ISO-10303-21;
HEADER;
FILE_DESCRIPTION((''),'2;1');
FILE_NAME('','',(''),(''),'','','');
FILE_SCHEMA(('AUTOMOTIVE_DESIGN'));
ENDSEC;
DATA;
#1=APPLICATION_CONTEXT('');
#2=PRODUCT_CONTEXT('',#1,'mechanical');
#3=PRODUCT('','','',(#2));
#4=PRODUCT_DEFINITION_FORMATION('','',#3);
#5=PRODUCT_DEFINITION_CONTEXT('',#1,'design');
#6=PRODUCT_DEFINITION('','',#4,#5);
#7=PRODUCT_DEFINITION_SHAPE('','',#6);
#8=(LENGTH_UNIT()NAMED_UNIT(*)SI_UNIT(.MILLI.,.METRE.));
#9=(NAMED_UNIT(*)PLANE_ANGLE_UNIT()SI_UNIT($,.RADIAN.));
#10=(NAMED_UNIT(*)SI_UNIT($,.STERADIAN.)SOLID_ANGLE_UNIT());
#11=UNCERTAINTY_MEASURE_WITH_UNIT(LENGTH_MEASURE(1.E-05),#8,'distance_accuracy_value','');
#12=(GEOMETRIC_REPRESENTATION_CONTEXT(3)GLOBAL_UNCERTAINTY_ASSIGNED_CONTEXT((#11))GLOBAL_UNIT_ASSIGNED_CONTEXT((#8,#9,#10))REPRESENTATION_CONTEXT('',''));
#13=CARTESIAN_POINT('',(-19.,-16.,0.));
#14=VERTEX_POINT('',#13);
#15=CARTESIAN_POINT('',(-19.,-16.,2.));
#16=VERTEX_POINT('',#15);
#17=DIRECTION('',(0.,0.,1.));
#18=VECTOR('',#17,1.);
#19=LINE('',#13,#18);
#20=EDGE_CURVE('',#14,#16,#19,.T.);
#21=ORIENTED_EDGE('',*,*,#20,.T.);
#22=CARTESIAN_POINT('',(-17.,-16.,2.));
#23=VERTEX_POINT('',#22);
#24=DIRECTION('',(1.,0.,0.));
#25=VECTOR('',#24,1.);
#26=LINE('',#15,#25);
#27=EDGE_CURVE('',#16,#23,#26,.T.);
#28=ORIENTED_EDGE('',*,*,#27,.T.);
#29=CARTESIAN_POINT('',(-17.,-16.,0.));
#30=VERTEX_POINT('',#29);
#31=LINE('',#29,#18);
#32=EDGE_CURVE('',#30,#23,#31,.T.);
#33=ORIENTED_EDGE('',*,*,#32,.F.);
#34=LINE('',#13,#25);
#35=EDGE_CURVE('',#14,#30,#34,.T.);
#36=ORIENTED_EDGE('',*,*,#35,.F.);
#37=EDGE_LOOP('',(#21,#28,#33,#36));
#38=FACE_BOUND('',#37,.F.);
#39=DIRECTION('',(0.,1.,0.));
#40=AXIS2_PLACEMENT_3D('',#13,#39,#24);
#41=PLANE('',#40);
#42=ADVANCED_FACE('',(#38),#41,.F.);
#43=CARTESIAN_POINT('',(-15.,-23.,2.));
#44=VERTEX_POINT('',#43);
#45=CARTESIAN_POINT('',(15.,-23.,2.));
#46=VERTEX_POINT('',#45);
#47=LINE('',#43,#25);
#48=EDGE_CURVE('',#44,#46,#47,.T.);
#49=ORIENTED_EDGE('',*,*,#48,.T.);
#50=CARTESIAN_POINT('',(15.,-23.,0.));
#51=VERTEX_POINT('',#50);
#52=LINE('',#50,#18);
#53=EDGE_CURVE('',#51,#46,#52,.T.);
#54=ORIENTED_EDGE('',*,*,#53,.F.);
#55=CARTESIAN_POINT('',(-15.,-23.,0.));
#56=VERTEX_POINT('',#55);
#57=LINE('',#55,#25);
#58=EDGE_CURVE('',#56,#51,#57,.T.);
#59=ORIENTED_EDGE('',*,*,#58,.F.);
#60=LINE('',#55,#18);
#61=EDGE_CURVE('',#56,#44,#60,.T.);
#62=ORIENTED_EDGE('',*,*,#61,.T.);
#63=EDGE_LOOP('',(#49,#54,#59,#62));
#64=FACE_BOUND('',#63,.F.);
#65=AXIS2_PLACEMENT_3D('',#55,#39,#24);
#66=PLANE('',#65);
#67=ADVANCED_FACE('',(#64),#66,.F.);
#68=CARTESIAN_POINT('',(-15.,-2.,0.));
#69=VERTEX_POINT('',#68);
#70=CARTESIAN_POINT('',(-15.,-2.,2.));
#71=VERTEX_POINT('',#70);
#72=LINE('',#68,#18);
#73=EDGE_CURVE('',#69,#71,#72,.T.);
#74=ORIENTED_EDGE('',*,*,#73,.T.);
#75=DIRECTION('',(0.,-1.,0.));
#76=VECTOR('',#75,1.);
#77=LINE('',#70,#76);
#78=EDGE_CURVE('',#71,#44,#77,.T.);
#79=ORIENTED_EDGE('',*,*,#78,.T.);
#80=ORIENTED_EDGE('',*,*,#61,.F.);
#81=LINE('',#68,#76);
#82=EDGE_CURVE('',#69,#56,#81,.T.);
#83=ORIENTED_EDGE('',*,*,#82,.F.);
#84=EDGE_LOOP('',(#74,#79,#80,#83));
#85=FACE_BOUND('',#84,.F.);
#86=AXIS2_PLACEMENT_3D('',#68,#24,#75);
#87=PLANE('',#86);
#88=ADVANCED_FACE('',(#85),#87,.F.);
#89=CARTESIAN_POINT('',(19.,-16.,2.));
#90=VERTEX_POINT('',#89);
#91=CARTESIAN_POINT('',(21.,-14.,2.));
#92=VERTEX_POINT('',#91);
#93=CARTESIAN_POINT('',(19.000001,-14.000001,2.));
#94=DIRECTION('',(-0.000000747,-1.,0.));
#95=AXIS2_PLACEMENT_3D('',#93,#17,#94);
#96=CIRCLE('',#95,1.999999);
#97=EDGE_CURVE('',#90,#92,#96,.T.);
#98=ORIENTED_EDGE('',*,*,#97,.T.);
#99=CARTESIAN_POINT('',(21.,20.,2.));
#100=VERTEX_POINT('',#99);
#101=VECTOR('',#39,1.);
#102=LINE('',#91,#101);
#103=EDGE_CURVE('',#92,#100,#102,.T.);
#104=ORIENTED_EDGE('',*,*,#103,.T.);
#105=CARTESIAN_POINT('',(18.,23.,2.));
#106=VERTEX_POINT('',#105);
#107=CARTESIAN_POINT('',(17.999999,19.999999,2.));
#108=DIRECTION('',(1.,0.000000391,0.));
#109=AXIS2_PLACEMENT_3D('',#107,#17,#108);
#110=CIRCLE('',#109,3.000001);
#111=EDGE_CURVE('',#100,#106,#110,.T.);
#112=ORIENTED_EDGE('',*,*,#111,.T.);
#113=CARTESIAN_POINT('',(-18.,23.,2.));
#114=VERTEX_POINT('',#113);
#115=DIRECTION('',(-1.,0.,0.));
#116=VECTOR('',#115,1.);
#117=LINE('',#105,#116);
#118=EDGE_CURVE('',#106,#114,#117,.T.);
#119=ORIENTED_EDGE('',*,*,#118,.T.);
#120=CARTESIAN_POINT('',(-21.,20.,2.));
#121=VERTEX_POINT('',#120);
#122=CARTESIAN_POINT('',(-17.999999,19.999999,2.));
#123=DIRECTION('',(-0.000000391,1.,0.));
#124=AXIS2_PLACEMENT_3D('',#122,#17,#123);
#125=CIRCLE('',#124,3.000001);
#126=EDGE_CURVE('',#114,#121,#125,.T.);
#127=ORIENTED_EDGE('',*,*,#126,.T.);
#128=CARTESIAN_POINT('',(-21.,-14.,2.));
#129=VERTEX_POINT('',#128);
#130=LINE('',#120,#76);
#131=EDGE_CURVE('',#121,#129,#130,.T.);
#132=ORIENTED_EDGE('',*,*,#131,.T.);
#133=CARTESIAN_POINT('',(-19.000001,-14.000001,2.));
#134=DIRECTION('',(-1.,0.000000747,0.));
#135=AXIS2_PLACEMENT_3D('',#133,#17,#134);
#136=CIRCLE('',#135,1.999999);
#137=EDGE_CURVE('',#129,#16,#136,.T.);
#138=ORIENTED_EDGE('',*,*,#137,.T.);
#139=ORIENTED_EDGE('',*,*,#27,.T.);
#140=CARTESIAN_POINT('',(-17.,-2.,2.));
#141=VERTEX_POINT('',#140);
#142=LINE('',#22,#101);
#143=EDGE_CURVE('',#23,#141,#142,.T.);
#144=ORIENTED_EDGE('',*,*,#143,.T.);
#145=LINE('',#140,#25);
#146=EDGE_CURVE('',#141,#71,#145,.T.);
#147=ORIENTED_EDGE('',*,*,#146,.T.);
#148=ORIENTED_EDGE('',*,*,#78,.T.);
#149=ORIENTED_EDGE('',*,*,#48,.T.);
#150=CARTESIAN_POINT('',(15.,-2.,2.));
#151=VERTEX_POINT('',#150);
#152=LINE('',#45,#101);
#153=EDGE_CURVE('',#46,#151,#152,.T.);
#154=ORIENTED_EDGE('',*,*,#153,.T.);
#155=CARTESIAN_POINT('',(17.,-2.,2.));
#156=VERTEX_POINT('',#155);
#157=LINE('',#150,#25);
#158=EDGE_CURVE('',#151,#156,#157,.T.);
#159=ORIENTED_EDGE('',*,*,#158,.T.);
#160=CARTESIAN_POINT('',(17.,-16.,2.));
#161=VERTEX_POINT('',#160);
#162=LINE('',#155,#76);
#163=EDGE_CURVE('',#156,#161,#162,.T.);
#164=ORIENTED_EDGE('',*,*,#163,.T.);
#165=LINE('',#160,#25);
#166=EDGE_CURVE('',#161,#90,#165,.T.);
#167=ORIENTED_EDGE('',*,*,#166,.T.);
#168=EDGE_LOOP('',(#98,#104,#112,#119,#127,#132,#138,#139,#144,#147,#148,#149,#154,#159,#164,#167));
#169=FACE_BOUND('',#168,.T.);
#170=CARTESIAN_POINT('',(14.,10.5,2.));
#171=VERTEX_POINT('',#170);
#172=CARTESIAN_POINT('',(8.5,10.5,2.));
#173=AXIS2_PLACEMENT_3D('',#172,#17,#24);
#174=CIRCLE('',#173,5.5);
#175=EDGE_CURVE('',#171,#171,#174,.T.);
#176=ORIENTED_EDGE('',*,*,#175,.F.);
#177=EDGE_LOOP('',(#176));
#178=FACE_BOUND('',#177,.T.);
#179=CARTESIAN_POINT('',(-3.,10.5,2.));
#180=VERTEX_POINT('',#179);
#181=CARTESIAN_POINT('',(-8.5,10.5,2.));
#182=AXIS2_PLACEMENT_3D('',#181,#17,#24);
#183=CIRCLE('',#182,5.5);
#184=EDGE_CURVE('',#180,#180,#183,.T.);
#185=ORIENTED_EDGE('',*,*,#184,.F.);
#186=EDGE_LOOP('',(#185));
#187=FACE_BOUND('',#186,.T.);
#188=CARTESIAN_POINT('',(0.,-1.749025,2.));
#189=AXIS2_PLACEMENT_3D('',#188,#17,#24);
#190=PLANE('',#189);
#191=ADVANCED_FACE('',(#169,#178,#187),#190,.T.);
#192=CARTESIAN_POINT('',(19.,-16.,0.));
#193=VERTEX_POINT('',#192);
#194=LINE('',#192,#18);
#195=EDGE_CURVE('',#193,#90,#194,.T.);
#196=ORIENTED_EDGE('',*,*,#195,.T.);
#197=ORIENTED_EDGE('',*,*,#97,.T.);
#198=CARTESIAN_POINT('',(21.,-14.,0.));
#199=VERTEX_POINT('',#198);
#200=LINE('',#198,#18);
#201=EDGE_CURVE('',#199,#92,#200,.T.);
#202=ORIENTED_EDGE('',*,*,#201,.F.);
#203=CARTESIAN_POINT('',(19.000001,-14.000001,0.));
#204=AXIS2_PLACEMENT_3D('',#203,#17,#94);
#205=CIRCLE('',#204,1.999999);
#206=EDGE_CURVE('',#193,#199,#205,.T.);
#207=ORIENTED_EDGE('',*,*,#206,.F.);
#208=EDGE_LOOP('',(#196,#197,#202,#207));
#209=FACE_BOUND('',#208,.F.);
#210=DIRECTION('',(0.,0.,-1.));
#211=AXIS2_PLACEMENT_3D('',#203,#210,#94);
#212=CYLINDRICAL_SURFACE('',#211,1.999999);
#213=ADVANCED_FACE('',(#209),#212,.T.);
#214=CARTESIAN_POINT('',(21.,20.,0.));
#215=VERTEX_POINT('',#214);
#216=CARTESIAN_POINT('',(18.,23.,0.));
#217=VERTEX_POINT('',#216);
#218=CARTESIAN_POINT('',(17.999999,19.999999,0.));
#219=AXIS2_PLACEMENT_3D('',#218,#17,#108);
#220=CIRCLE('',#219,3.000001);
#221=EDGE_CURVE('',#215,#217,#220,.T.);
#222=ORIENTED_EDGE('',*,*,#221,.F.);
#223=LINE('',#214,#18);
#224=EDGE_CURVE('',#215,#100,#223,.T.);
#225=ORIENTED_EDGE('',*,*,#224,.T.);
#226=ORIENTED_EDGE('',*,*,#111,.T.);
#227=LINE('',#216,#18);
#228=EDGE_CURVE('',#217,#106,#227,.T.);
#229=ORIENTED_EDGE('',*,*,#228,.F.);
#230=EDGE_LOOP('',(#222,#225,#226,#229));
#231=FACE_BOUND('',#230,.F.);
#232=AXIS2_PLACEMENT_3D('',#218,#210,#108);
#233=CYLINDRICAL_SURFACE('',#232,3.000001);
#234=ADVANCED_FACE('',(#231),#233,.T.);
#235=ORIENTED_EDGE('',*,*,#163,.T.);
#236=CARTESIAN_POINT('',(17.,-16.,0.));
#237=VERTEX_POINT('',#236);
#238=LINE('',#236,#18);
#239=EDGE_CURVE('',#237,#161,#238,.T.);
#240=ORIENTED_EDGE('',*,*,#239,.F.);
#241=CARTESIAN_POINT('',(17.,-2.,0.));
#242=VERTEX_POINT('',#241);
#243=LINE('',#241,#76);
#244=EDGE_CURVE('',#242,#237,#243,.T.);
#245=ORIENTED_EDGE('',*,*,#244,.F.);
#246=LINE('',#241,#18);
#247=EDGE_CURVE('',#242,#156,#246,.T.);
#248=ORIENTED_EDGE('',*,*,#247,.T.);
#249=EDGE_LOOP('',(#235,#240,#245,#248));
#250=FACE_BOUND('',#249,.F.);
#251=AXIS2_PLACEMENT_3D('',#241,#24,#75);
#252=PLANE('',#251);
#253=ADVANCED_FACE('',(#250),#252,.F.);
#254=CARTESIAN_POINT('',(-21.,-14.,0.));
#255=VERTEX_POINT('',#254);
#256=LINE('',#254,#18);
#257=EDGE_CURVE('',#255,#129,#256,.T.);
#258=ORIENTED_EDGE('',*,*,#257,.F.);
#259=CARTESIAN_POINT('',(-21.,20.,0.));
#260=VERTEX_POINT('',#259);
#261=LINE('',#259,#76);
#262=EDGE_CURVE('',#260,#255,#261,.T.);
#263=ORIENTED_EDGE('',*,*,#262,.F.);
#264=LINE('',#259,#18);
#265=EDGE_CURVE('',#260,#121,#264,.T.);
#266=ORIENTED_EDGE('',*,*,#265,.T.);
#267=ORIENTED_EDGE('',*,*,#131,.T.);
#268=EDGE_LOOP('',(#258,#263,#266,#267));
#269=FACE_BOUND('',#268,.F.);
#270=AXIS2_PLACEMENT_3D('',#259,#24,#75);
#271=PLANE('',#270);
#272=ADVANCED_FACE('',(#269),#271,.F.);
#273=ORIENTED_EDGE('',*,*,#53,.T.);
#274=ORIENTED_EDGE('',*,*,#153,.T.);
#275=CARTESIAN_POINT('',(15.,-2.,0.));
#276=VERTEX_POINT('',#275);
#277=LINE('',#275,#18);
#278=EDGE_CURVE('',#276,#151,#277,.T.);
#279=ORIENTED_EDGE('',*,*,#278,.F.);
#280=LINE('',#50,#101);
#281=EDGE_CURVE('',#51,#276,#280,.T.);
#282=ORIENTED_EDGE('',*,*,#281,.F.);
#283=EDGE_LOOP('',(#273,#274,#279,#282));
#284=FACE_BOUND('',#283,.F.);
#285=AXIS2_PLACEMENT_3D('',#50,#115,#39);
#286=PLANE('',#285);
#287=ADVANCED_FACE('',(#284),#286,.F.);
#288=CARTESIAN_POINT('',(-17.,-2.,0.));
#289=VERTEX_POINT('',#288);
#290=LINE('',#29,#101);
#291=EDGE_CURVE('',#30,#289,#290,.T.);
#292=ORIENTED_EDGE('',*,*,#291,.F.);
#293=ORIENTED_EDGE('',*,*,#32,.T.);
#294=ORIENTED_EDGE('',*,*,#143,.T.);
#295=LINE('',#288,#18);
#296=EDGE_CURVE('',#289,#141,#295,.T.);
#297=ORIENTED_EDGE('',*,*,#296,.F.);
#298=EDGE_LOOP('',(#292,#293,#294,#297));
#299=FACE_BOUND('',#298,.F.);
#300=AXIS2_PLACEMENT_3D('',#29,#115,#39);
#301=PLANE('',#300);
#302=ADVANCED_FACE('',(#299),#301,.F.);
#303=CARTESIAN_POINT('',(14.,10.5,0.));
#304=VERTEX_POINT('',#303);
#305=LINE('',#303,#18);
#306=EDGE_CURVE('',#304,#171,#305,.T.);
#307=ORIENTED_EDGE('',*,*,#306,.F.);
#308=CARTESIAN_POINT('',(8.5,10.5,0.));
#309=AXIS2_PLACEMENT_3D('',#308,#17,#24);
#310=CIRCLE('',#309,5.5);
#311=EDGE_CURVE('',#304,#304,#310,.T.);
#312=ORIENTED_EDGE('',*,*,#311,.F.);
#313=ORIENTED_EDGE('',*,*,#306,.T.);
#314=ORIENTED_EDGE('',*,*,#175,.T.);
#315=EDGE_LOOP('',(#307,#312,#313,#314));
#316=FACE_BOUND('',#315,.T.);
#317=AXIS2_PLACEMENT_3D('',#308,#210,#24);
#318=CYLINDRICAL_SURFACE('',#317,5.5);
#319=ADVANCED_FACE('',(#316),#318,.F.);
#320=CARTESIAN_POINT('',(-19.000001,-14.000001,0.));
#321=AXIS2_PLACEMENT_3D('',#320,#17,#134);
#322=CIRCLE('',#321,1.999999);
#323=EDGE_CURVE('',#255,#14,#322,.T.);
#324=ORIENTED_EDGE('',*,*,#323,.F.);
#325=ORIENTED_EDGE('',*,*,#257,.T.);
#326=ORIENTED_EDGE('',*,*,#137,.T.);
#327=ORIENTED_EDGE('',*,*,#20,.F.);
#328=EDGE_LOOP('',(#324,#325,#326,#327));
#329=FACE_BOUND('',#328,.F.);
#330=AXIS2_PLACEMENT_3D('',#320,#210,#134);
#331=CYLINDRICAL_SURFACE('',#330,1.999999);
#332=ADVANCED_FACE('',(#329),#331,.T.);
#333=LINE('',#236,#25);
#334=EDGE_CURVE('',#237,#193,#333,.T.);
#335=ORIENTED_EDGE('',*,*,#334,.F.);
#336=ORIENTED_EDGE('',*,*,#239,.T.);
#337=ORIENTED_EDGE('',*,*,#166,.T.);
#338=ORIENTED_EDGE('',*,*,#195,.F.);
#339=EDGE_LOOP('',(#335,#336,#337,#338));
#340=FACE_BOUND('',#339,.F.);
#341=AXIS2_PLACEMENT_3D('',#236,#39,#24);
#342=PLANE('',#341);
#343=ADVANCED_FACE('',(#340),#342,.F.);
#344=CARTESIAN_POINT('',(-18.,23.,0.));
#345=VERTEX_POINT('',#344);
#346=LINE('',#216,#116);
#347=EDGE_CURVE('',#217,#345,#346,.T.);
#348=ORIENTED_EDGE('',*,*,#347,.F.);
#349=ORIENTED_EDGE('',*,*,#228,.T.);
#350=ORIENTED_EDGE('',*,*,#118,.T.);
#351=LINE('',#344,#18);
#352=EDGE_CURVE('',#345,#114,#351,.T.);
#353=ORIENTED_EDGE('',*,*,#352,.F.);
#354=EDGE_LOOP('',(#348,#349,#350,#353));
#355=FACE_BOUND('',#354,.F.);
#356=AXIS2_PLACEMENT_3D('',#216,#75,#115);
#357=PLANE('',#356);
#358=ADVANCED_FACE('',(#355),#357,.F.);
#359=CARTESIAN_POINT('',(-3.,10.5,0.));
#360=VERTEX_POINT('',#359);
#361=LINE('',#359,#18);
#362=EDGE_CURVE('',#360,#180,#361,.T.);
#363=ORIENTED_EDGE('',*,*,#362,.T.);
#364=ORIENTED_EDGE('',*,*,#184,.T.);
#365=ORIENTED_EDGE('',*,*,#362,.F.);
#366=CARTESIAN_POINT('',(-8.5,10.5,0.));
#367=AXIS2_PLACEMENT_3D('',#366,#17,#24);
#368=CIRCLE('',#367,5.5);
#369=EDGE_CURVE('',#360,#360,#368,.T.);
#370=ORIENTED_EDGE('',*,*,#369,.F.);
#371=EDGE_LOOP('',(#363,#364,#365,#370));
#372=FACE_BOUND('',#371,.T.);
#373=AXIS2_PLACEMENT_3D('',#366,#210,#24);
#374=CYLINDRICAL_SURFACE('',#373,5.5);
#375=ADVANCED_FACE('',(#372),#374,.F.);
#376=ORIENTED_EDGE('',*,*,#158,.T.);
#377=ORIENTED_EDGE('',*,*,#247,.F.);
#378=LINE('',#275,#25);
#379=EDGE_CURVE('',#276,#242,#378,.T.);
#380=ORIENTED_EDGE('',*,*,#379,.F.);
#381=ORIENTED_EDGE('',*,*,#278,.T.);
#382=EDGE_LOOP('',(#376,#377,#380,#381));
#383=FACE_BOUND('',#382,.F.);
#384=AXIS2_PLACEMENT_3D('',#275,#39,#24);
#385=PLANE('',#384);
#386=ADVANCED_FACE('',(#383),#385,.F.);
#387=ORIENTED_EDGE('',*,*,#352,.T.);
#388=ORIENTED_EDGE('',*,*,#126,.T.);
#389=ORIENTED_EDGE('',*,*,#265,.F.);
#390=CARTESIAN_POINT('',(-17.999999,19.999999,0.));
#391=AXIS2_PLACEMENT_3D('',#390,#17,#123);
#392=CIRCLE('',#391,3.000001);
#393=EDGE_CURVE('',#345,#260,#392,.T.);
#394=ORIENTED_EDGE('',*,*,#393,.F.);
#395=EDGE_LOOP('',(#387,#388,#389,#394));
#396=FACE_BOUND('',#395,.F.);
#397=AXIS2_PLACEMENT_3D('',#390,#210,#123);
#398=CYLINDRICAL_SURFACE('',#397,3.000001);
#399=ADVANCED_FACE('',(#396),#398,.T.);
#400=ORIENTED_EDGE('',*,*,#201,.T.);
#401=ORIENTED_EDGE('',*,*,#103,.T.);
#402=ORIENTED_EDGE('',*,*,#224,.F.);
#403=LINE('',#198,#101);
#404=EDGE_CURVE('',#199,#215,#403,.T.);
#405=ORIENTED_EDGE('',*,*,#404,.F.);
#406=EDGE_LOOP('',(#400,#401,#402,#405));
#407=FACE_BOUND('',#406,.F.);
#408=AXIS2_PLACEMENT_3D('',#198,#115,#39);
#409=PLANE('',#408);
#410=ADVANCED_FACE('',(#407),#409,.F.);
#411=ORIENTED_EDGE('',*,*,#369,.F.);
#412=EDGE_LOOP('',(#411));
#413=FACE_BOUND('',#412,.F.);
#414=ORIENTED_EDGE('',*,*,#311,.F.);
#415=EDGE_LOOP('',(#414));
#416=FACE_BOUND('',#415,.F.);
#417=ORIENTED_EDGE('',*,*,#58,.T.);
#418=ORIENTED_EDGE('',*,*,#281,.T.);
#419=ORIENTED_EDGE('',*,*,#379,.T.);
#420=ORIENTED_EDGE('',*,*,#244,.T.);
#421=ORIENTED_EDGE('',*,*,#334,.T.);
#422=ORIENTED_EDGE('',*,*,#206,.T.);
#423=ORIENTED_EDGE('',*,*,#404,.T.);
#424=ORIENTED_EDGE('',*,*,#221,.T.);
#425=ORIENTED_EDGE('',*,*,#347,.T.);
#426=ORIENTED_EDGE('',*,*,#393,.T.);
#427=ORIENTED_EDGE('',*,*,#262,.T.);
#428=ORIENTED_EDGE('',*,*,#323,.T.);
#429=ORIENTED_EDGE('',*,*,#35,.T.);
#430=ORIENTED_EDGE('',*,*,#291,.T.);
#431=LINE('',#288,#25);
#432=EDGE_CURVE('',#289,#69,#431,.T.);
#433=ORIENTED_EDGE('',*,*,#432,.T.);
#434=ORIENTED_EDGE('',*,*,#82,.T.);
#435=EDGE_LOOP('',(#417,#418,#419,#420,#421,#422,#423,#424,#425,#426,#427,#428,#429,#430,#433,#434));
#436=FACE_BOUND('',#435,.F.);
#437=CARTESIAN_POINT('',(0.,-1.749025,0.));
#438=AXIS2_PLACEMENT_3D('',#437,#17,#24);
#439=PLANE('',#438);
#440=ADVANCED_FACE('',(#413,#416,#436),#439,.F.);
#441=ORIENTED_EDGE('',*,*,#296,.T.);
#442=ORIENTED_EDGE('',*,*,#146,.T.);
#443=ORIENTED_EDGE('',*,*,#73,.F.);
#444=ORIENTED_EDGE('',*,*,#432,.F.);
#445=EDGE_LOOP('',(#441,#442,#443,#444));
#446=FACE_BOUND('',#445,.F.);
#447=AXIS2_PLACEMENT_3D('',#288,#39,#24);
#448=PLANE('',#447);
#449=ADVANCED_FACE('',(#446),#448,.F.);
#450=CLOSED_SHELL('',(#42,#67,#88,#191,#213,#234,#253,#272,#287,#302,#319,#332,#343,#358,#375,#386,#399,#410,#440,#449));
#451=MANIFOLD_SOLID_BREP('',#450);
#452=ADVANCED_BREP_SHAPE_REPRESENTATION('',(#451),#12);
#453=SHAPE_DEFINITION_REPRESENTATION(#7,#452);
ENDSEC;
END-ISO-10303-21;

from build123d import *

# Parameters (mm, degrees)
F0_R     = 5.5
F1_DEPTH = 2


with BuildPart() as f1:
    # F0 (on Top) → F1 (new body)
    with BuildSketch(Plane.XY):
        with BuildLine():
            Line((15, 23), (-15, 23))
            Line((-15, 23), (-18, 23))
            ThreePointArc((-18, 23), (-20.12132, 22.12132), (-21, 20))
            Line((-21, 20), (-21, -14))
            ThreePointArc((-21, -14), (-20.414214, -15.414214), (-19, -16))
            Line((-19, -16), (-17, -16))
            Line((-17, -16), (-17, -2))
            Line((-17, -2), (-15, -2))
            Line((-15, -2), (-15, -23))
            Line((-15, -23), (15, -23))
            Line((15, -23), (15, -2))
            Line((15, -2), (17, -2))
            Line((17, -2), (17, -16))
            Line((17, -16), (19, -16))
            ThreePointArc((19, -16), (20.414214, -15.414214), (21, -14))
            Line((21, -14), (21, 20))
            ThreePointArc((21, 20), (20.12132, 22.12132), (18, 23))
            Line((18, 23), (15, 23))
        make_face()
        with Locations((-8.5, 10.5)):
            Circle(F0_R, mode=Mode.SUBTRACT)
        with Locations((8.5, 10.5)):
            Circle(F0_R, mode=Mode.SUBTRACT)
    extrude(amount=F1_DEPTH)


solid = f1.part
